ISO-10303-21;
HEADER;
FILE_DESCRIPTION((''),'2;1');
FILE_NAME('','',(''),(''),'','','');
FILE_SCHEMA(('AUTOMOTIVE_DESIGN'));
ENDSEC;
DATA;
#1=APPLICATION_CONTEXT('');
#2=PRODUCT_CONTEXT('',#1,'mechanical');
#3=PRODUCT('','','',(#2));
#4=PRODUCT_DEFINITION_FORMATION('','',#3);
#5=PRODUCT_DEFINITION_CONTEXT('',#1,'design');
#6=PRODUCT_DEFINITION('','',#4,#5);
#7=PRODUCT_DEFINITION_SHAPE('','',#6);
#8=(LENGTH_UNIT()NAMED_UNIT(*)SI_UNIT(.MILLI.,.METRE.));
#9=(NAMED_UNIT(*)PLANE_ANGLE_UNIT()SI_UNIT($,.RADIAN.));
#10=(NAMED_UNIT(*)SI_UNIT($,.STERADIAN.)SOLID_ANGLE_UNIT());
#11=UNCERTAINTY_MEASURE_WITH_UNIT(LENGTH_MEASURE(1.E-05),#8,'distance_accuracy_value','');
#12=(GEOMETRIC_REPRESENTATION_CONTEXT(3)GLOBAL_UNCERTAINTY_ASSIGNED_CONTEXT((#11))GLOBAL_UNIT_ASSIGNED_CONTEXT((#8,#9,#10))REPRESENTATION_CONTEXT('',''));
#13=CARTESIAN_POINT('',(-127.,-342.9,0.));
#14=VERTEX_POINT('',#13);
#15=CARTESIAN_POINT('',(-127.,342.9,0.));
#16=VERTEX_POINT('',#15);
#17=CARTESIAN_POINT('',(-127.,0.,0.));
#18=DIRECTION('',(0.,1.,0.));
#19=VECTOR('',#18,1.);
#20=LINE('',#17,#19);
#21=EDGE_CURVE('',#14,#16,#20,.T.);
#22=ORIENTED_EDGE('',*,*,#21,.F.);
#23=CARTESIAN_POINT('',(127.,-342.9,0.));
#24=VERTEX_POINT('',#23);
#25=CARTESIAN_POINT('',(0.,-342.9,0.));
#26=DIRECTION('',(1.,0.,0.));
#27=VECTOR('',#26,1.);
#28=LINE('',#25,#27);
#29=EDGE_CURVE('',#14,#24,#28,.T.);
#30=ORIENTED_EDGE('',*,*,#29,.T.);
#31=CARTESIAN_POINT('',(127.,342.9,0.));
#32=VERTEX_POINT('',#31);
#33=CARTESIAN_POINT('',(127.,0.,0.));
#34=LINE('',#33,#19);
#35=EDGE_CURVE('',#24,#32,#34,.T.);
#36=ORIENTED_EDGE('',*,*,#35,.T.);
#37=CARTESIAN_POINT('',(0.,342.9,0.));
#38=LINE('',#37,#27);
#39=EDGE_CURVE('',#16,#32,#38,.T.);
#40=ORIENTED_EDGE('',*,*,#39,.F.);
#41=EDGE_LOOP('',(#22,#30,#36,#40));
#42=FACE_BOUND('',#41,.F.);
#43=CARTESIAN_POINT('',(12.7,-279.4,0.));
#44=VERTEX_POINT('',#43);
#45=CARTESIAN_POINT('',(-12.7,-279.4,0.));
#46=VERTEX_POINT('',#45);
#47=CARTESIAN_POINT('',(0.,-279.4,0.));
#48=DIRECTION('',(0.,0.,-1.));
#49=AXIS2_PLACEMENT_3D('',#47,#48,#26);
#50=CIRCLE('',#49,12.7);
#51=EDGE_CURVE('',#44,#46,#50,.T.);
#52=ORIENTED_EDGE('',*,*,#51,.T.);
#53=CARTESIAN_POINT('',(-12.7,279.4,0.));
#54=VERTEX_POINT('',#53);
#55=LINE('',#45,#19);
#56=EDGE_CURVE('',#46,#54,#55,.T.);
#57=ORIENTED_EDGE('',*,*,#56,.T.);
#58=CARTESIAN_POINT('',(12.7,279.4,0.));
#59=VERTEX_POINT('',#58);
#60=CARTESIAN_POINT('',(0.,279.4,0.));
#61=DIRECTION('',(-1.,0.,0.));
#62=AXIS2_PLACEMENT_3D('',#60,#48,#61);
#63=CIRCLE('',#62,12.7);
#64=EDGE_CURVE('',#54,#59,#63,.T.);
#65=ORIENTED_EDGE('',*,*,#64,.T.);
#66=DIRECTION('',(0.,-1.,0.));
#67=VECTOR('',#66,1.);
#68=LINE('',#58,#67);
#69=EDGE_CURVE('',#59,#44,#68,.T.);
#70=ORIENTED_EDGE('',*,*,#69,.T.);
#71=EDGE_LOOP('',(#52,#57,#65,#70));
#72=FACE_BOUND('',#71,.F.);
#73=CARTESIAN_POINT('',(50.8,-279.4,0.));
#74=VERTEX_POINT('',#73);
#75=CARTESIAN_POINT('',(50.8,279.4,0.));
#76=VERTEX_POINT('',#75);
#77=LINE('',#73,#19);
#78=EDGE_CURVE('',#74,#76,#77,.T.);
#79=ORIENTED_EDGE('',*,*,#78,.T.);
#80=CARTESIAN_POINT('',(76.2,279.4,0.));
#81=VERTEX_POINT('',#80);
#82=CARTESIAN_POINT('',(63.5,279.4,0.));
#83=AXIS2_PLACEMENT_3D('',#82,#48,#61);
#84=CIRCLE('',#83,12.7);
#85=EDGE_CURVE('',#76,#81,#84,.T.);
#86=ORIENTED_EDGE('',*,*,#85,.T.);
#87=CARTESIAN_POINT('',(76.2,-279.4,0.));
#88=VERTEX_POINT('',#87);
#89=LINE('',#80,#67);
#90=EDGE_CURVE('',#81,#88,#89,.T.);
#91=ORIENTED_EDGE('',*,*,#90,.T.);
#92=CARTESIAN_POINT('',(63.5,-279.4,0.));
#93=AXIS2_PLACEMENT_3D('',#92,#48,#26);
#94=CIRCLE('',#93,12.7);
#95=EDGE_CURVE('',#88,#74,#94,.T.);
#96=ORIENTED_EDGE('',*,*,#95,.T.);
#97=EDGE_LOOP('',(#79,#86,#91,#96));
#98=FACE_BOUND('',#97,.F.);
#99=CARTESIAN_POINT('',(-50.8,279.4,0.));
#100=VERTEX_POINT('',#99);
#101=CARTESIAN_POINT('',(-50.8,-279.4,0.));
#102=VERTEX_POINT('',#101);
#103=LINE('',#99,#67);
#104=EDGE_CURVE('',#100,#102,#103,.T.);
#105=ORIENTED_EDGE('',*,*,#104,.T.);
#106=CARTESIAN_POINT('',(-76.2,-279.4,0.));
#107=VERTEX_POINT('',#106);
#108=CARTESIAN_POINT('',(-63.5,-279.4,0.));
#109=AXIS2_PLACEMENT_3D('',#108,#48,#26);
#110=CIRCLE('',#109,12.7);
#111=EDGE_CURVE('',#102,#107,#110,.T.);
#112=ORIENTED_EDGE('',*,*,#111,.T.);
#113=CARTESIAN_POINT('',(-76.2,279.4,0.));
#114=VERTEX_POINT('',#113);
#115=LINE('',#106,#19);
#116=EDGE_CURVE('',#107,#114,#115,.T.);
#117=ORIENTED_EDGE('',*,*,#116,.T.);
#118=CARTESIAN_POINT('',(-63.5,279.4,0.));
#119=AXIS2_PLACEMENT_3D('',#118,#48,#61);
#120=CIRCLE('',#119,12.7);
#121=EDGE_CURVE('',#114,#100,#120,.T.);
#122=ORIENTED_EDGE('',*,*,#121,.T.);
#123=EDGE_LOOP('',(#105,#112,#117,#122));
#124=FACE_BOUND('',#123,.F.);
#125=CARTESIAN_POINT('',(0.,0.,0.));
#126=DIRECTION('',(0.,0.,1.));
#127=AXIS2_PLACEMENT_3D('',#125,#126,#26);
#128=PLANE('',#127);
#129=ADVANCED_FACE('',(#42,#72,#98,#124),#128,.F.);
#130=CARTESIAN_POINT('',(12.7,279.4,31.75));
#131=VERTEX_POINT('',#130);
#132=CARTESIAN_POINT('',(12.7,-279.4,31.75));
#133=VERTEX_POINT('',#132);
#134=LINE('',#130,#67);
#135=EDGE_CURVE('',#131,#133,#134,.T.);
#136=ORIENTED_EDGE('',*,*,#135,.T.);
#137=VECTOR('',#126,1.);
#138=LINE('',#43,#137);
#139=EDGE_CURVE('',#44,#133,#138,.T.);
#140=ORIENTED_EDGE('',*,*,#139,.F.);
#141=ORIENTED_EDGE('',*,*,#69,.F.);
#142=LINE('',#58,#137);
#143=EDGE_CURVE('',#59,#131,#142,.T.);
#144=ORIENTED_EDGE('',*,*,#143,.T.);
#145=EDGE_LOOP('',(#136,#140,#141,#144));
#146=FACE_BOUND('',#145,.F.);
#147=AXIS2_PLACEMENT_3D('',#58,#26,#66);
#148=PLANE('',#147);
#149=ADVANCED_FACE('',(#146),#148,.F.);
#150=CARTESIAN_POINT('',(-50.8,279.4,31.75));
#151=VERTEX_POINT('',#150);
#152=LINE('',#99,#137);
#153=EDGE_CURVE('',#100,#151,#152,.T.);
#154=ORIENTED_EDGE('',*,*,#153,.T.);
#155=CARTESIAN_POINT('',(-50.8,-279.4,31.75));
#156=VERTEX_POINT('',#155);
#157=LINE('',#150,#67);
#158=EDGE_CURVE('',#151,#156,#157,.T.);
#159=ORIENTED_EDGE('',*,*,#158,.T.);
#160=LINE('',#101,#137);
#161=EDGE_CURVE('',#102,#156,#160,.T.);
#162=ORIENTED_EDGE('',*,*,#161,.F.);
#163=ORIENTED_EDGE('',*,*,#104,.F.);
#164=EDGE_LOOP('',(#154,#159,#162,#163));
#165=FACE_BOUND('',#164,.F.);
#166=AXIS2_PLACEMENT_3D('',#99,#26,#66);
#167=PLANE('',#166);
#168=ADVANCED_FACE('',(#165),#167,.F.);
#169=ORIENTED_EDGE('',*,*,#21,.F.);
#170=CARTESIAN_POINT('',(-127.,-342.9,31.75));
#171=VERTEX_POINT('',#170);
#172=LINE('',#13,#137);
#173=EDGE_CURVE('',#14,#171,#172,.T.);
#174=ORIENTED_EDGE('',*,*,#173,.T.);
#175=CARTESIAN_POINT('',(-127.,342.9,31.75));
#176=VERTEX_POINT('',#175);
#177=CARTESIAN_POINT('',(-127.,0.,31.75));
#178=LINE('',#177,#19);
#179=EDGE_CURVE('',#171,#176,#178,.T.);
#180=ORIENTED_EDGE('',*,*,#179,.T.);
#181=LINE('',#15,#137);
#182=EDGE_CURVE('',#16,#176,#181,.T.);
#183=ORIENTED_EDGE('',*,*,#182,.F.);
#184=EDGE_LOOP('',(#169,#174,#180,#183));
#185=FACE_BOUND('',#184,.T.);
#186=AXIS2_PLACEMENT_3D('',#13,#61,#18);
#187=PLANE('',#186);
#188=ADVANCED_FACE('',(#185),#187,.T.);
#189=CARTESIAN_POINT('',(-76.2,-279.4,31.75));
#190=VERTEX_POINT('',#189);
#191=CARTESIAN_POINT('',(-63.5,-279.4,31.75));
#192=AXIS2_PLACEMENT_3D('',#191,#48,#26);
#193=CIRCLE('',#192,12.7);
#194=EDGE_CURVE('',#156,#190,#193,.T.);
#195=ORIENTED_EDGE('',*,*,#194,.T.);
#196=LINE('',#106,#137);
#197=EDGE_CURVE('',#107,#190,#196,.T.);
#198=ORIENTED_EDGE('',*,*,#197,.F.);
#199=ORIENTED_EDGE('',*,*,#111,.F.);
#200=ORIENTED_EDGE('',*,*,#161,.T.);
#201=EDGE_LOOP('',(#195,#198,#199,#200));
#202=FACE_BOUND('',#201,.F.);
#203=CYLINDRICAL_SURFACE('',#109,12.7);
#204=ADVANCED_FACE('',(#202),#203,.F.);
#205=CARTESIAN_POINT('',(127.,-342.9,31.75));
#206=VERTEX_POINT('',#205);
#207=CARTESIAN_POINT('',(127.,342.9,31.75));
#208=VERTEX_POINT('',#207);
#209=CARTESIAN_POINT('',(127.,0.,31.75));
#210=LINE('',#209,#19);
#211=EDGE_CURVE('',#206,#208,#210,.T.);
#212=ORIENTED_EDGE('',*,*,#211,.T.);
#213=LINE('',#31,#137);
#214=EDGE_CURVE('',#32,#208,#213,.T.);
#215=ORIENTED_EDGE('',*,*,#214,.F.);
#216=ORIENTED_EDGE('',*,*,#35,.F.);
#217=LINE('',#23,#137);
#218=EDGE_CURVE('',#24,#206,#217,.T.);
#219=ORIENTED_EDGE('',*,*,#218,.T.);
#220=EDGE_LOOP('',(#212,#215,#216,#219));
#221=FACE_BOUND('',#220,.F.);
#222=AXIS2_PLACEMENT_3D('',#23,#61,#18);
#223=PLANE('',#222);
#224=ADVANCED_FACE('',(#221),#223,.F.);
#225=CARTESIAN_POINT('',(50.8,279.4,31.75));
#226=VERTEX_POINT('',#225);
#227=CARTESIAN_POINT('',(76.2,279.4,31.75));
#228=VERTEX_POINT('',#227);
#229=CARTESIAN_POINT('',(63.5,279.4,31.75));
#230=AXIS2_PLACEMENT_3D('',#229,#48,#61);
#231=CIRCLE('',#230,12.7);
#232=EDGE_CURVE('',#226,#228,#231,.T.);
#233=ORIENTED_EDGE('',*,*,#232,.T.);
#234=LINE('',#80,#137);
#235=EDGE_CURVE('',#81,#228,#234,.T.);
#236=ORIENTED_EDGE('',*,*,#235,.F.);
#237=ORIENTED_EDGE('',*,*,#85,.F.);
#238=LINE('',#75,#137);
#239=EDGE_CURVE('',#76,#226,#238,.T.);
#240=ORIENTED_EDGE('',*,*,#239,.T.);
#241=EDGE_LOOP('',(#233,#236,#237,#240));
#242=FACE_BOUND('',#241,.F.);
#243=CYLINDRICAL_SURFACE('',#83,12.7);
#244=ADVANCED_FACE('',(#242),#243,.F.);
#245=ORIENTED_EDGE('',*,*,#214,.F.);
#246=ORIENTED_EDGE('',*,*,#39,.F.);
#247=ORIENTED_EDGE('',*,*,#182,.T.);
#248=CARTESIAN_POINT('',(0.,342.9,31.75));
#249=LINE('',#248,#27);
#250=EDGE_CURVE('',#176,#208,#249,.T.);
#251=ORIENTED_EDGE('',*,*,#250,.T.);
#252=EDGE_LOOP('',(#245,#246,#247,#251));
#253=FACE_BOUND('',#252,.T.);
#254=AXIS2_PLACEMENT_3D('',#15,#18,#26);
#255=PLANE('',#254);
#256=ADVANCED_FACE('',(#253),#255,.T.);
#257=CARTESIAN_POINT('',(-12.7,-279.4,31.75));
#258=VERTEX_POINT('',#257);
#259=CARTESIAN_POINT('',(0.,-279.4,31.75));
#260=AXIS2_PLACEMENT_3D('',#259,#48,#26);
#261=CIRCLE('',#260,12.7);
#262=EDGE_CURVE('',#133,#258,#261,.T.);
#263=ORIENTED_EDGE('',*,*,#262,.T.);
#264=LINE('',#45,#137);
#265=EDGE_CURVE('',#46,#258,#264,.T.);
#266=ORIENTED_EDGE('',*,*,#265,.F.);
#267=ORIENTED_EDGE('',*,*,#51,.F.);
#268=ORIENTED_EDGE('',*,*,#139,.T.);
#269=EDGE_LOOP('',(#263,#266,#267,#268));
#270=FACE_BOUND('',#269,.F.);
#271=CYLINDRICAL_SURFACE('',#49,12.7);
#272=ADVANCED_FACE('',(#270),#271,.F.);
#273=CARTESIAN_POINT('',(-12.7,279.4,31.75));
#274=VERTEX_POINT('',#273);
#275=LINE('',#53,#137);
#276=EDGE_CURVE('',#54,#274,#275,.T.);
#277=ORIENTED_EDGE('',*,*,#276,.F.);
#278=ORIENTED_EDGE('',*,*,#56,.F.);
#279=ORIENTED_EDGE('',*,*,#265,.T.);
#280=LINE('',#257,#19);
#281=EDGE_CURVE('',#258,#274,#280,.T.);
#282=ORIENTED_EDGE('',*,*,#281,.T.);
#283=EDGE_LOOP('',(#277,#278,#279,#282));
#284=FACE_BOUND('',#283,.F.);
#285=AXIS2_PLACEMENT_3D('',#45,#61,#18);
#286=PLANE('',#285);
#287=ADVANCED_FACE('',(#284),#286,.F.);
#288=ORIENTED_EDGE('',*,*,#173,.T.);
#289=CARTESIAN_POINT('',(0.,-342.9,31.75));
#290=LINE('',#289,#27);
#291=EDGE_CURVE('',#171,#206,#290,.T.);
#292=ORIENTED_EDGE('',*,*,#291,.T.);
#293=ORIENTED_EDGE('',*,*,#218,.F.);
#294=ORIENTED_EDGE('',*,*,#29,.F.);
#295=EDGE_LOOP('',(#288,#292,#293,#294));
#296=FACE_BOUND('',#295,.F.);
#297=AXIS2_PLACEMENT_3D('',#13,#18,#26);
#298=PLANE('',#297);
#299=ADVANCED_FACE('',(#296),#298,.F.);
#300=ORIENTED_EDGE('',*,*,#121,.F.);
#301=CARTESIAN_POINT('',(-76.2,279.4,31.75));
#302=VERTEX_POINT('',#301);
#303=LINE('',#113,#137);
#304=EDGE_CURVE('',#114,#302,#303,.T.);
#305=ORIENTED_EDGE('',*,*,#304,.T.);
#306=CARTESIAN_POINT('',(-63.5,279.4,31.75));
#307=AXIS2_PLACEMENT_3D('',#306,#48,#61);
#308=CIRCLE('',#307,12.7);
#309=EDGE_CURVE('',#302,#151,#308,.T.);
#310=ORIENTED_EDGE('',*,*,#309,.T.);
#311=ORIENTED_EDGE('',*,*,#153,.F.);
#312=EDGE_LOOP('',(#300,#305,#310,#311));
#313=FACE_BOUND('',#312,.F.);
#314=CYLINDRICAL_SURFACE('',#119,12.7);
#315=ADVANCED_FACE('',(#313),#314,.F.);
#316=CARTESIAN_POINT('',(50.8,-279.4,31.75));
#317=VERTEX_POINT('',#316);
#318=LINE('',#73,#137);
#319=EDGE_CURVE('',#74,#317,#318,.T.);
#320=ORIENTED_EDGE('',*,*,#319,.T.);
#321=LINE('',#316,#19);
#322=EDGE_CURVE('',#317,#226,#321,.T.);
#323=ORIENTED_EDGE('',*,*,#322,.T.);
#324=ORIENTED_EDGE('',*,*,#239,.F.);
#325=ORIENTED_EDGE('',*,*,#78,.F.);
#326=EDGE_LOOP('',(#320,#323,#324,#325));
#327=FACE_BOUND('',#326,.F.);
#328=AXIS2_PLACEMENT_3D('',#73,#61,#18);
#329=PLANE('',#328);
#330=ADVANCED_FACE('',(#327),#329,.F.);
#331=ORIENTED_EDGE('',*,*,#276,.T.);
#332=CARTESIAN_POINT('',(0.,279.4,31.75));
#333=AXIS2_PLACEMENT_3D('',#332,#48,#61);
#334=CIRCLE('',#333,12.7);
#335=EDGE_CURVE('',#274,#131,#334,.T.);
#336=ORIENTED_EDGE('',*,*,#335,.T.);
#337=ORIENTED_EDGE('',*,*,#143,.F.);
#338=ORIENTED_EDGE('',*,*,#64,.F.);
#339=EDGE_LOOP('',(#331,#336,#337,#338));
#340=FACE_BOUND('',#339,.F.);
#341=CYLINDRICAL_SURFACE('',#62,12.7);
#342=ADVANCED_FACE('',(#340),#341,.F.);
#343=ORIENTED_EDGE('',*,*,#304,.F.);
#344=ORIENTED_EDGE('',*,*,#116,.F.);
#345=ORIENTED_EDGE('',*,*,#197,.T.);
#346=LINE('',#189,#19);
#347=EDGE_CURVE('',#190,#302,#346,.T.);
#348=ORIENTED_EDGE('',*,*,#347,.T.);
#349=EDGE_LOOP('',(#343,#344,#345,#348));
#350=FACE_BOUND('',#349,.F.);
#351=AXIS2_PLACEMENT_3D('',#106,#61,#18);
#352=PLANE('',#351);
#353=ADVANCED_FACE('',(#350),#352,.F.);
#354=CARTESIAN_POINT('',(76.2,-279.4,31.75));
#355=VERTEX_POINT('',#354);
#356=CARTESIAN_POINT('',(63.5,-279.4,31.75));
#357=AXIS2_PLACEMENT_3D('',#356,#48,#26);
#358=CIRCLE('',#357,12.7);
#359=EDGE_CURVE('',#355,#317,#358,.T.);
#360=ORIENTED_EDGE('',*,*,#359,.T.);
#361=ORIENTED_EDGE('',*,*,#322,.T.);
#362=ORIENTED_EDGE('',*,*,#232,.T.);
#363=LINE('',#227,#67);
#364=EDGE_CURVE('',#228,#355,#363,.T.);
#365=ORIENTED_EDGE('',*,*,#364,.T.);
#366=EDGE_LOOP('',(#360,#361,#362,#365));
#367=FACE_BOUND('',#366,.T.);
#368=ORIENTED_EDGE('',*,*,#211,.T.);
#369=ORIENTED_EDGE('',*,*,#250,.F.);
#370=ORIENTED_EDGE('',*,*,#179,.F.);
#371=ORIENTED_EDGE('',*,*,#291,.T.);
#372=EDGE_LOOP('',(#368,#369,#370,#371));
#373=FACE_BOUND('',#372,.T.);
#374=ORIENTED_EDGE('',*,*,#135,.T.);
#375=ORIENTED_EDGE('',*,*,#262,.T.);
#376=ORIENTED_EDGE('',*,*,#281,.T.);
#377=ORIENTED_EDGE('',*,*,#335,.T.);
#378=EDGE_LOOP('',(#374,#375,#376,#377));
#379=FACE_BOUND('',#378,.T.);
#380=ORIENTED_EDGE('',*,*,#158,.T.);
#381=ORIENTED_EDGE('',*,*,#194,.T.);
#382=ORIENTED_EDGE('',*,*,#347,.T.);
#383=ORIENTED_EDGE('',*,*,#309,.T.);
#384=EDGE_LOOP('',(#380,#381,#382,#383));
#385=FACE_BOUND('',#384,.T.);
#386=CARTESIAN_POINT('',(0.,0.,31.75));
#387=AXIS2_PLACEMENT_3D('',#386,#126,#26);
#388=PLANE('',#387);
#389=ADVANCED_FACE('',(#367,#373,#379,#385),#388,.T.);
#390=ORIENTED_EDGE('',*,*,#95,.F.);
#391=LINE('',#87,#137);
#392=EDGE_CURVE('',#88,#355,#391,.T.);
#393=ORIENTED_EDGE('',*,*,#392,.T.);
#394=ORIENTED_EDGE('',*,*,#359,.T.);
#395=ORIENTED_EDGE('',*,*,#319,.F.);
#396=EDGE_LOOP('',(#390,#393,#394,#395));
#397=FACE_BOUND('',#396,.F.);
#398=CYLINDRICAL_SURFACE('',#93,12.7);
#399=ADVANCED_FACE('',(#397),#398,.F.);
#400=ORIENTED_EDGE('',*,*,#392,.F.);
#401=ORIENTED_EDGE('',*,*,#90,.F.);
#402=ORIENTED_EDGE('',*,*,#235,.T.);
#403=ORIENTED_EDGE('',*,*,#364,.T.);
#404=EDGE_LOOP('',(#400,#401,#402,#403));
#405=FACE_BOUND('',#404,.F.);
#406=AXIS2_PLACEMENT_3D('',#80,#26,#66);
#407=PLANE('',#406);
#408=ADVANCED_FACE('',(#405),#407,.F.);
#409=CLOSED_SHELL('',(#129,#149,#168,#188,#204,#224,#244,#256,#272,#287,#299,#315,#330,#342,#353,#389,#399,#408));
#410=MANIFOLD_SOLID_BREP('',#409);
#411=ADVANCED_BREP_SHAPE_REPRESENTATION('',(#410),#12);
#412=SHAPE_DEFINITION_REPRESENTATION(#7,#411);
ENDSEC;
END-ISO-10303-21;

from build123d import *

# Parameters (mm, degrees)
F0_W     = 254
F0_H     = 685.8
F1_DEPTH = 31.75


with BuildPart() as f1:
    # F0 (on Top) → F1 (new body)
    with BuildSketch(Plane.XY):
        Rectangle(F0_W, F0_H)
        with BuildLine():
            ThreePointArc((-76.2, 279.4), (-63.5, 292.1), (-50.8, 279.4))
            Line((-50.8, 279.4), (-50.8, -279.4))
            ThreePointArc((-50.8, -279.4), (-63.5, -292.1), (-76.2, -279.4))
            Line((-76.2, -279.4), (-76.2, 279.4))
        make_face(mode=Mode.SUBTRACT)
        with BuildLine():
            ThreePointArc((-12.7, 279.4), (0, 292.1), (12.7, 279.4))
            Line((12.7, 279.4), (12.7, -279.4))
            ThreePointArc((12.7, -279.4), (0, -292.1), (-12.7, -279.4))
            Line((-12.7, -279.4), (-12.7, 279.4))
        make_face(mode=Mode.SUBTRACT)
        with BuildLine():
            ThreePointArc((50.8, 279.4), (63.5, 292.1), (76.2, 279.4))
            Line((76.2, 279.4), (76.2, -279.4))
            ThreePointArc((76.2, -279.4), (63.5, -292.1), (50.8, -279.4))
            Line((50.8, -279.4), (50.8, 279.4))
        make_face(mode=Mode.SUBTRACT)
    extrude(amount=F1_DEPTH)


solid = f1.part
